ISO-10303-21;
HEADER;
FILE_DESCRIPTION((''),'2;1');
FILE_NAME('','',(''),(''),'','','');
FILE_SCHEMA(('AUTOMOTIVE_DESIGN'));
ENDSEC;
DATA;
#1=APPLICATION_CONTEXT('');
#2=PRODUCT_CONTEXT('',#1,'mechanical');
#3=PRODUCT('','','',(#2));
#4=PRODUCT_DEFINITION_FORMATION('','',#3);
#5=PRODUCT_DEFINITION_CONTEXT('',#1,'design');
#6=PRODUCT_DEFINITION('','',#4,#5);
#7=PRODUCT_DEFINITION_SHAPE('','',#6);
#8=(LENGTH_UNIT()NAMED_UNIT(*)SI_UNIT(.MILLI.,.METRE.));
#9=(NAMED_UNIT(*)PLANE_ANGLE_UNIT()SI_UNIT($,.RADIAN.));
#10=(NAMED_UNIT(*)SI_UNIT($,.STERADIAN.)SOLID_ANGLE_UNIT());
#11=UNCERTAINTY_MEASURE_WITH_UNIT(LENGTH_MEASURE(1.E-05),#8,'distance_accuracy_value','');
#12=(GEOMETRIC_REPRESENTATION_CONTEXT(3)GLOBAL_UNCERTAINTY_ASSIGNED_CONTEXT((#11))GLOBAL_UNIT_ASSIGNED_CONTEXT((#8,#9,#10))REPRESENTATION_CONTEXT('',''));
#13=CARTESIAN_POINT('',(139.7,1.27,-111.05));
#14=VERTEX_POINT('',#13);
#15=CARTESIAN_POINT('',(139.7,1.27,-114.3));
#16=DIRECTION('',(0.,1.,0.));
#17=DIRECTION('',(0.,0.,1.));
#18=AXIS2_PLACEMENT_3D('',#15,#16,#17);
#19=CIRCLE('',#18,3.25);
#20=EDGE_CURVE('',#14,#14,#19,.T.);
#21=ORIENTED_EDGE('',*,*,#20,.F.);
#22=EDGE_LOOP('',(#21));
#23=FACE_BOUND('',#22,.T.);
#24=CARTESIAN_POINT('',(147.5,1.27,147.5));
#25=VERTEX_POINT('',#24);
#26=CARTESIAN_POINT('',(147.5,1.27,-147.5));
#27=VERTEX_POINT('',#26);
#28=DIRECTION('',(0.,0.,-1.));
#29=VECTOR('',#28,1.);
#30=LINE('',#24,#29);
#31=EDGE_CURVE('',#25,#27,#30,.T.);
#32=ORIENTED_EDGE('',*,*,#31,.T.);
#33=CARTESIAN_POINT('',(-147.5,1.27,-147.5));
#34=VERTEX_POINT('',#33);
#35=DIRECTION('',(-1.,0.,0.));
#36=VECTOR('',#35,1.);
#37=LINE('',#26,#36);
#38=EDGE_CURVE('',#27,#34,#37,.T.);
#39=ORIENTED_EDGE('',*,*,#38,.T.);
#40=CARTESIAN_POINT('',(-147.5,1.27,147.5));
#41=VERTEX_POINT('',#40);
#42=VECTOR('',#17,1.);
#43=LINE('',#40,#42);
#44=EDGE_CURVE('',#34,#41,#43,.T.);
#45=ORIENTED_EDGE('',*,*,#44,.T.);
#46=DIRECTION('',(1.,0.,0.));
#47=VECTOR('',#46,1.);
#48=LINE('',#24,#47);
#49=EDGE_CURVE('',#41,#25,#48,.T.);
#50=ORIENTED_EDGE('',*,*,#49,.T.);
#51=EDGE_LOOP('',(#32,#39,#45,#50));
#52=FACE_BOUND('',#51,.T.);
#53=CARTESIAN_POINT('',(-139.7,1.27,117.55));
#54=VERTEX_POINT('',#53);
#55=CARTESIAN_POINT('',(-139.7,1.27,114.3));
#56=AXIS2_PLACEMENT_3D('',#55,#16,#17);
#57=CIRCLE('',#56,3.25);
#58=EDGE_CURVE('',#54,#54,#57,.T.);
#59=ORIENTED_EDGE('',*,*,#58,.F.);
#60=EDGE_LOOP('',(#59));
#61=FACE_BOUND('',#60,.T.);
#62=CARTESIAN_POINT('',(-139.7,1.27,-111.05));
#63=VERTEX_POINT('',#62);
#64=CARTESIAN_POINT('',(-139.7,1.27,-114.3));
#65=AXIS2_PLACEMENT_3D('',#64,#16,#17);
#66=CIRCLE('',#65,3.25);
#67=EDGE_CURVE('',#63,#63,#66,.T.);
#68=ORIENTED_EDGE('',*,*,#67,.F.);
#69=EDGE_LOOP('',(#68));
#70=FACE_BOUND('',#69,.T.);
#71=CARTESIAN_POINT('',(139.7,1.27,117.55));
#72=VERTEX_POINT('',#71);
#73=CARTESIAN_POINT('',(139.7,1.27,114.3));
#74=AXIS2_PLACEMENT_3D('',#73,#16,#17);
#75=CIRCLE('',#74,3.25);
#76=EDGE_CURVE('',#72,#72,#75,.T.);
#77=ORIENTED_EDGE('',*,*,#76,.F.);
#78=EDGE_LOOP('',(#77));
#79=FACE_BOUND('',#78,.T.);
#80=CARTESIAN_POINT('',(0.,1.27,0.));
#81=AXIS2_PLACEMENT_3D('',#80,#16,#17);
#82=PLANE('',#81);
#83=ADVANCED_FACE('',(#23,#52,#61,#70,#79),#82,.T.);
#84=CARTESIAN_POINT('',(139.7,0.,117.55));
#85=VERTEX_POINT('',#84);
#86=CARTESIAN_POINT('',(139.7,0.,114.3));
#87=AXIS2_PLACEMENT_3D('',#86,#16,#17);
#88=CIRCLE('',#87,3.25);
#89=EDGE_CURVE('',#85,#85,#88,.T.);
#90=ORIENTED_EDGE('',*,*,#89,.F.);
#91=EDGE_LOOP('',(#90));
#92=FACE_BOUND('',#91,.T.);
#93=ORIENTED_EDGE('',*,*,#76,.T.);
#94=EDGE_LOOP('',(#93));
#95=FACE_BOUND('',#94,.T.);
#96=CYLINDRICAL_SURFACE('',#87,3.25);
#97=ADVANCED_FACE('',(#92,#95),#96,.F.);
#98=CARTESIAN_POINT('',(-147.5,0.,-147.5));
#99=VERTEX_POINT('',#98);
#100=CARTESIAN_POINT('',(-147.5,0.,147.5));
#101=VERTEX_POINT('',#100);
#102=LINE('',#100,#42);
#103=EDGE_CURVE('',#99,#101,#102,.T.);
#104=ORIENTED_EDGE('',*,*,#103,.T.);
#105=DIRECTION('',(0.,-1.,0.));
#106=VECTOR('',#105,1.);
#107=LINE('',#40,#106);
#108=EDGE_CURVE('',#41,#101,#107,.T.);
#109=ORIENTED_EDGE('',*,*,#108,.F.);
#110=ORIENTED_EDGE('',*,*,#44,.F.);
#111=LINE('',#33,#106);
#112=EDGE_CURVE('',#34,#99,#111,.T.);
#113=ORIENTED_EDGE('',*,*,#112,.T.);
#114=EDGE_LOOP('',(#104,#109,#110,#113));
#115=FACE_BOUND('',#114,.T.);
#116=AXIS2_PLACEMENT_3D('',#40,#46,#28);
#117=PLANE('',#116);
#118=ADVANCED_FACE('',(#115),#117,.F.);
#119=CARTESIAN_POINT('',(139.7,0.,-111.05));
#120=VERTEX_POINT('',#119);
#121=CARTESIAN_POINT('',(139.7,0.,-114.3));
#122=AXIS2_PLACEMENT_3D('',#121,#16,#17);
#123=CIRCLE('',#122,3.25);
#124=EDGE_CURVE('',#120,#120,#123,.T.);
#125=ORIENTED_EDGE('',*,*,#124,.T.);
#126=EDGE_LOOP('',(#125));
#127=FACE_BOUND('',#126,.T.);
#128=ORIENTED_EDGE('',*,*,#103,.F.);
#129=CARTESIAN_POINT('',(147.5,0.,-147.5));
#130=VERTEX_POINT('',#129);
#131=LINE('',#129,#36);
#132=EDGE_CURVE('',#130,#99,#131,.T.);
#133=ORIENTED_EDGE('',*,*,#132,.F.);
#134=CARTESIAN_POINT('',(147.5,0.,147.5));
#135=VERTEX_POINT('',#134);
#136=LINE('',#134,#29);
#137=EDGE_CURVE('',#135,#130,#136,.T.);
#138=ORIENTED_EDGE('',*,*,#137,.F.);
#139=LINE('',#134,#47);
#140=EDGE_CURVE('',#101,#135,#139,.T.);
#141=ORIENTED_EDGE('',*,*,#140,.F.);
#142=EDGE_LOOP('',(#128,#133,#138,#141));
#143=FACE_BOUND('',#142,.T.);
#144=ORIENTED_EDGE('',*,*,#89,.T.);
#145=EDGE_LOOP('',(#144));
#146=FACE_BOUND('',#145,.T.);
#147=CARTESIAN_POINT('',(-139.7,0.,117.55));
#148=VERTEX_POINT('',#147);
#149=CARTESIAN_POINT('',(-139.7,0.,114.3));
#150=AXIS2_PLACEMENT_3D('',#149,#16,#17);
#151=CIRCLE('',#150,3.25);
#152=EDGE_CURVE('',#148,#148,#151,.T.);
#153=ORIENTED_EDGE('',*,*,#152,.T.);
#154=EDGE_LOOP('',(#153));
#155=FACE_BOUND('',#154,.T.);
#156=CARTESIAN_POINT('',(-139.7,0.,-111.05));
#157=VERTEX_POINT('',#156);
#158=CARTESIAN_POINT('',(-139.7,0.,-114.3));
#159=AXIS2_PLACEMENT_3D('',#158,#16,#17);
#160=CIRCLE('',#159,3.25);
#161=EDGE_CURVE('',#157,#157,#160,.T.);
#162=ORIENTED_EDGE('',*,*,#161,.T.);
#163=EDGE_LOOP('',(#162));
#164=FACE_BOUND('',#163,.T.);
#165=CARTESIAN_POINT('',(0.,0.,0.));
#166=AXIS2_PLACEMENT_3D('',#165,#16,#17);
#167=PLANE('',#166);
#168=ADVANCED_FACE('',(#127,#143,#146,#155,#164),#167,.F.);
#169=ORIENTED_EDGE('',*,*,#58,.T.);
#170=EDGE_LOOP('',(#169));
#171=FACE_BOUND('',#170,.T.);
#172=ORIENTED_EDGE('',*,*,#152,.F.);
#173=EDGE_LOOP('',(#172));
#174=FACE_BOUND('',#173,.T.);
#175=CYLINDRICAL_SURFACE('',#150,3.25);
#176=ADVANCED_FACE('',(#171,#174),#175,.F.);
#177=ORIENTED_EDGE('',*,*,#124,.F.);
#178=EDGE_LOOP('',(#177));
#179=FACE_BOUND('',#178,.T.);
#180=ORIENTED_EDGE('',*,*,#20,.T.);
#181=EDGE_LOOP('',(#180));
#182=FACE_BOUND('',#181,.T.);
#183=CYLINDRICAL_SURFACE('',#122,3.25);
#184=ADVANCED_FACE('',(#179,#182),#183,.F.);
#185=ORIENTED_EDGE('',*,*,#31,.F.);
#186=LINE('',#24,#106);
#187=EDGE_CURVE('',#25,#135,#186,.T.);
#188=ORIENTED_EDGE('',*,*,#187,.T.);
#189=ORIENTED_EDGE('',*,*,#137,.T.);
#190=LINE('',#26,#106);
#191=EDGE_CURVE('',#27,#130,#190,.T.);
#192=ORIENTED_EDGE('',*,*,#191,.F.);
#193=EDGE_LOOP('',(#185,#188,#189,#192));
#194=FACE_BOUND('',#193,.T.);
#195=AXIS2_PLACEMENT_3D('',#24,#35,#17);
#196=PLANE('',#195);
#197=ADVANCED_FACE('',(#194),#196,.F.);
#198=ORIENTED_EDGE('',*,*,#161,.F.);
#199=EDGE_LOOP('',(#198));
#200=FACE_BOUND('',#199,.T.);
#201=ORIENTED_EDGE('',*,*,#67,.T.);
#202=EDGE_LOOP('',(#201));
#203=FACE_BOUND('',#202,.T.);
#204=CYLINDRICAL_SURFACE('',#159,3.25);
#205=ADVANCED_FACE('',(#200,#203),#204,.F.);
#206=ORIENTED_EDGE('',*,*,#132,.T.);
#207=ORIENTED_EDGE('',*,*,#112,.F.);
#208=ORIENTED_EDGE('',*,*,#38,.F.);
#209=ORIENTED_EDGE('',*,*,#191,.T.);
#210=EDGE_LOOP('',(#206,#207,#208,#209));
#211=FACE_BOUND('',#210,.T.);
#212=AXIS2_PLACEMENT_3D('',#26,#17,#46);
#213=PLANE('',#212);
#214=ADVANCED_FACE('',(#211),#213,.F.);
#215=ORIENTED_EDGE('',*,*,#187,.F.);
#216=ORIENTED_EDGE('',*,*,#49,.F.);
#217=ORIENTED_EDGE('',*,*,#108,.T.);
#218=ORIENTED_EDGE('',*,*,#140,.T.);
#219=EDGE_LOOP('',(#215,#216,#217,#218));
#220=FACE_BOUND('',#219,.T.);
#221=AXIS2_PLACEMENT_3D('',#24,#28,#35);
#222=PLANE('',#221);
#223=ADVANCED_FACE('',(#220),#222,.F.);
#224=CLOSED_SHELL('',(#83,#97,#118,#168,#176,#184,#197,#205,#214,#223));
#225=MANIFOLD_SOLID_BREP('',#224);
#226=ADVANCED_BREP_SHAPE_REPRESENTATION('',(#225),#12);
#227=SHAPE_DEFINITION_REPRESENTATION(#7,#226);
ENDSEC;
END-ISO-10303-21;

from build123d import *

# Parameters (mm, degrees)
SKETCH1_W           = 295
SKETCH1_H           = 295
BOSS_EXTRUDE1_DEPTH = 1.27
SKETCH2_R           = 3.25
CUT_EXTRUDE1_DEPTH  = 209.600366491


with BuildPart() as part:
    # Sketch1 → Boss-Extrude1 (new body)
    with BuildSketch(Plane(origin=(0, 0, 0), x_dir=(1, 0, 0), z_dir=(0, 1, 0))):
        Rectangle(SKETCH1_W, SKETCH1_H)
    extrude(amount=BOSS_EXTRUDE1_DEPTH)

    # Sketch2 → Cut-Extrude1 (cut, through all)
    with BuildSketch(Plane(origin=(0, 1.27, 0), x_dir=(1, 0, 0), z_dir=(0, 1, 0))):
        with Locations(Location((-139.7, 114.3, 0), (0, 0, 270))):
            Circle(SKETCH2_R)
        with Locations(Location((139.7, 114.3, 0), (0, 0, 270))):
            Circle(SKETCH2_R)
        with Locations(Location((139.7, -114.3, 0), (0, 0, 270))):
            Circle(SKETCH2_R)
        with Locations(Location((-139.7, -114.3, 0), (0, 0, 270))):
            Circle(SKETCH2_R)
    extrude(amount=-CUT_EXTRUDE1_DEPTH, mode=Mode.SUBTRACT)


solid = part.part
